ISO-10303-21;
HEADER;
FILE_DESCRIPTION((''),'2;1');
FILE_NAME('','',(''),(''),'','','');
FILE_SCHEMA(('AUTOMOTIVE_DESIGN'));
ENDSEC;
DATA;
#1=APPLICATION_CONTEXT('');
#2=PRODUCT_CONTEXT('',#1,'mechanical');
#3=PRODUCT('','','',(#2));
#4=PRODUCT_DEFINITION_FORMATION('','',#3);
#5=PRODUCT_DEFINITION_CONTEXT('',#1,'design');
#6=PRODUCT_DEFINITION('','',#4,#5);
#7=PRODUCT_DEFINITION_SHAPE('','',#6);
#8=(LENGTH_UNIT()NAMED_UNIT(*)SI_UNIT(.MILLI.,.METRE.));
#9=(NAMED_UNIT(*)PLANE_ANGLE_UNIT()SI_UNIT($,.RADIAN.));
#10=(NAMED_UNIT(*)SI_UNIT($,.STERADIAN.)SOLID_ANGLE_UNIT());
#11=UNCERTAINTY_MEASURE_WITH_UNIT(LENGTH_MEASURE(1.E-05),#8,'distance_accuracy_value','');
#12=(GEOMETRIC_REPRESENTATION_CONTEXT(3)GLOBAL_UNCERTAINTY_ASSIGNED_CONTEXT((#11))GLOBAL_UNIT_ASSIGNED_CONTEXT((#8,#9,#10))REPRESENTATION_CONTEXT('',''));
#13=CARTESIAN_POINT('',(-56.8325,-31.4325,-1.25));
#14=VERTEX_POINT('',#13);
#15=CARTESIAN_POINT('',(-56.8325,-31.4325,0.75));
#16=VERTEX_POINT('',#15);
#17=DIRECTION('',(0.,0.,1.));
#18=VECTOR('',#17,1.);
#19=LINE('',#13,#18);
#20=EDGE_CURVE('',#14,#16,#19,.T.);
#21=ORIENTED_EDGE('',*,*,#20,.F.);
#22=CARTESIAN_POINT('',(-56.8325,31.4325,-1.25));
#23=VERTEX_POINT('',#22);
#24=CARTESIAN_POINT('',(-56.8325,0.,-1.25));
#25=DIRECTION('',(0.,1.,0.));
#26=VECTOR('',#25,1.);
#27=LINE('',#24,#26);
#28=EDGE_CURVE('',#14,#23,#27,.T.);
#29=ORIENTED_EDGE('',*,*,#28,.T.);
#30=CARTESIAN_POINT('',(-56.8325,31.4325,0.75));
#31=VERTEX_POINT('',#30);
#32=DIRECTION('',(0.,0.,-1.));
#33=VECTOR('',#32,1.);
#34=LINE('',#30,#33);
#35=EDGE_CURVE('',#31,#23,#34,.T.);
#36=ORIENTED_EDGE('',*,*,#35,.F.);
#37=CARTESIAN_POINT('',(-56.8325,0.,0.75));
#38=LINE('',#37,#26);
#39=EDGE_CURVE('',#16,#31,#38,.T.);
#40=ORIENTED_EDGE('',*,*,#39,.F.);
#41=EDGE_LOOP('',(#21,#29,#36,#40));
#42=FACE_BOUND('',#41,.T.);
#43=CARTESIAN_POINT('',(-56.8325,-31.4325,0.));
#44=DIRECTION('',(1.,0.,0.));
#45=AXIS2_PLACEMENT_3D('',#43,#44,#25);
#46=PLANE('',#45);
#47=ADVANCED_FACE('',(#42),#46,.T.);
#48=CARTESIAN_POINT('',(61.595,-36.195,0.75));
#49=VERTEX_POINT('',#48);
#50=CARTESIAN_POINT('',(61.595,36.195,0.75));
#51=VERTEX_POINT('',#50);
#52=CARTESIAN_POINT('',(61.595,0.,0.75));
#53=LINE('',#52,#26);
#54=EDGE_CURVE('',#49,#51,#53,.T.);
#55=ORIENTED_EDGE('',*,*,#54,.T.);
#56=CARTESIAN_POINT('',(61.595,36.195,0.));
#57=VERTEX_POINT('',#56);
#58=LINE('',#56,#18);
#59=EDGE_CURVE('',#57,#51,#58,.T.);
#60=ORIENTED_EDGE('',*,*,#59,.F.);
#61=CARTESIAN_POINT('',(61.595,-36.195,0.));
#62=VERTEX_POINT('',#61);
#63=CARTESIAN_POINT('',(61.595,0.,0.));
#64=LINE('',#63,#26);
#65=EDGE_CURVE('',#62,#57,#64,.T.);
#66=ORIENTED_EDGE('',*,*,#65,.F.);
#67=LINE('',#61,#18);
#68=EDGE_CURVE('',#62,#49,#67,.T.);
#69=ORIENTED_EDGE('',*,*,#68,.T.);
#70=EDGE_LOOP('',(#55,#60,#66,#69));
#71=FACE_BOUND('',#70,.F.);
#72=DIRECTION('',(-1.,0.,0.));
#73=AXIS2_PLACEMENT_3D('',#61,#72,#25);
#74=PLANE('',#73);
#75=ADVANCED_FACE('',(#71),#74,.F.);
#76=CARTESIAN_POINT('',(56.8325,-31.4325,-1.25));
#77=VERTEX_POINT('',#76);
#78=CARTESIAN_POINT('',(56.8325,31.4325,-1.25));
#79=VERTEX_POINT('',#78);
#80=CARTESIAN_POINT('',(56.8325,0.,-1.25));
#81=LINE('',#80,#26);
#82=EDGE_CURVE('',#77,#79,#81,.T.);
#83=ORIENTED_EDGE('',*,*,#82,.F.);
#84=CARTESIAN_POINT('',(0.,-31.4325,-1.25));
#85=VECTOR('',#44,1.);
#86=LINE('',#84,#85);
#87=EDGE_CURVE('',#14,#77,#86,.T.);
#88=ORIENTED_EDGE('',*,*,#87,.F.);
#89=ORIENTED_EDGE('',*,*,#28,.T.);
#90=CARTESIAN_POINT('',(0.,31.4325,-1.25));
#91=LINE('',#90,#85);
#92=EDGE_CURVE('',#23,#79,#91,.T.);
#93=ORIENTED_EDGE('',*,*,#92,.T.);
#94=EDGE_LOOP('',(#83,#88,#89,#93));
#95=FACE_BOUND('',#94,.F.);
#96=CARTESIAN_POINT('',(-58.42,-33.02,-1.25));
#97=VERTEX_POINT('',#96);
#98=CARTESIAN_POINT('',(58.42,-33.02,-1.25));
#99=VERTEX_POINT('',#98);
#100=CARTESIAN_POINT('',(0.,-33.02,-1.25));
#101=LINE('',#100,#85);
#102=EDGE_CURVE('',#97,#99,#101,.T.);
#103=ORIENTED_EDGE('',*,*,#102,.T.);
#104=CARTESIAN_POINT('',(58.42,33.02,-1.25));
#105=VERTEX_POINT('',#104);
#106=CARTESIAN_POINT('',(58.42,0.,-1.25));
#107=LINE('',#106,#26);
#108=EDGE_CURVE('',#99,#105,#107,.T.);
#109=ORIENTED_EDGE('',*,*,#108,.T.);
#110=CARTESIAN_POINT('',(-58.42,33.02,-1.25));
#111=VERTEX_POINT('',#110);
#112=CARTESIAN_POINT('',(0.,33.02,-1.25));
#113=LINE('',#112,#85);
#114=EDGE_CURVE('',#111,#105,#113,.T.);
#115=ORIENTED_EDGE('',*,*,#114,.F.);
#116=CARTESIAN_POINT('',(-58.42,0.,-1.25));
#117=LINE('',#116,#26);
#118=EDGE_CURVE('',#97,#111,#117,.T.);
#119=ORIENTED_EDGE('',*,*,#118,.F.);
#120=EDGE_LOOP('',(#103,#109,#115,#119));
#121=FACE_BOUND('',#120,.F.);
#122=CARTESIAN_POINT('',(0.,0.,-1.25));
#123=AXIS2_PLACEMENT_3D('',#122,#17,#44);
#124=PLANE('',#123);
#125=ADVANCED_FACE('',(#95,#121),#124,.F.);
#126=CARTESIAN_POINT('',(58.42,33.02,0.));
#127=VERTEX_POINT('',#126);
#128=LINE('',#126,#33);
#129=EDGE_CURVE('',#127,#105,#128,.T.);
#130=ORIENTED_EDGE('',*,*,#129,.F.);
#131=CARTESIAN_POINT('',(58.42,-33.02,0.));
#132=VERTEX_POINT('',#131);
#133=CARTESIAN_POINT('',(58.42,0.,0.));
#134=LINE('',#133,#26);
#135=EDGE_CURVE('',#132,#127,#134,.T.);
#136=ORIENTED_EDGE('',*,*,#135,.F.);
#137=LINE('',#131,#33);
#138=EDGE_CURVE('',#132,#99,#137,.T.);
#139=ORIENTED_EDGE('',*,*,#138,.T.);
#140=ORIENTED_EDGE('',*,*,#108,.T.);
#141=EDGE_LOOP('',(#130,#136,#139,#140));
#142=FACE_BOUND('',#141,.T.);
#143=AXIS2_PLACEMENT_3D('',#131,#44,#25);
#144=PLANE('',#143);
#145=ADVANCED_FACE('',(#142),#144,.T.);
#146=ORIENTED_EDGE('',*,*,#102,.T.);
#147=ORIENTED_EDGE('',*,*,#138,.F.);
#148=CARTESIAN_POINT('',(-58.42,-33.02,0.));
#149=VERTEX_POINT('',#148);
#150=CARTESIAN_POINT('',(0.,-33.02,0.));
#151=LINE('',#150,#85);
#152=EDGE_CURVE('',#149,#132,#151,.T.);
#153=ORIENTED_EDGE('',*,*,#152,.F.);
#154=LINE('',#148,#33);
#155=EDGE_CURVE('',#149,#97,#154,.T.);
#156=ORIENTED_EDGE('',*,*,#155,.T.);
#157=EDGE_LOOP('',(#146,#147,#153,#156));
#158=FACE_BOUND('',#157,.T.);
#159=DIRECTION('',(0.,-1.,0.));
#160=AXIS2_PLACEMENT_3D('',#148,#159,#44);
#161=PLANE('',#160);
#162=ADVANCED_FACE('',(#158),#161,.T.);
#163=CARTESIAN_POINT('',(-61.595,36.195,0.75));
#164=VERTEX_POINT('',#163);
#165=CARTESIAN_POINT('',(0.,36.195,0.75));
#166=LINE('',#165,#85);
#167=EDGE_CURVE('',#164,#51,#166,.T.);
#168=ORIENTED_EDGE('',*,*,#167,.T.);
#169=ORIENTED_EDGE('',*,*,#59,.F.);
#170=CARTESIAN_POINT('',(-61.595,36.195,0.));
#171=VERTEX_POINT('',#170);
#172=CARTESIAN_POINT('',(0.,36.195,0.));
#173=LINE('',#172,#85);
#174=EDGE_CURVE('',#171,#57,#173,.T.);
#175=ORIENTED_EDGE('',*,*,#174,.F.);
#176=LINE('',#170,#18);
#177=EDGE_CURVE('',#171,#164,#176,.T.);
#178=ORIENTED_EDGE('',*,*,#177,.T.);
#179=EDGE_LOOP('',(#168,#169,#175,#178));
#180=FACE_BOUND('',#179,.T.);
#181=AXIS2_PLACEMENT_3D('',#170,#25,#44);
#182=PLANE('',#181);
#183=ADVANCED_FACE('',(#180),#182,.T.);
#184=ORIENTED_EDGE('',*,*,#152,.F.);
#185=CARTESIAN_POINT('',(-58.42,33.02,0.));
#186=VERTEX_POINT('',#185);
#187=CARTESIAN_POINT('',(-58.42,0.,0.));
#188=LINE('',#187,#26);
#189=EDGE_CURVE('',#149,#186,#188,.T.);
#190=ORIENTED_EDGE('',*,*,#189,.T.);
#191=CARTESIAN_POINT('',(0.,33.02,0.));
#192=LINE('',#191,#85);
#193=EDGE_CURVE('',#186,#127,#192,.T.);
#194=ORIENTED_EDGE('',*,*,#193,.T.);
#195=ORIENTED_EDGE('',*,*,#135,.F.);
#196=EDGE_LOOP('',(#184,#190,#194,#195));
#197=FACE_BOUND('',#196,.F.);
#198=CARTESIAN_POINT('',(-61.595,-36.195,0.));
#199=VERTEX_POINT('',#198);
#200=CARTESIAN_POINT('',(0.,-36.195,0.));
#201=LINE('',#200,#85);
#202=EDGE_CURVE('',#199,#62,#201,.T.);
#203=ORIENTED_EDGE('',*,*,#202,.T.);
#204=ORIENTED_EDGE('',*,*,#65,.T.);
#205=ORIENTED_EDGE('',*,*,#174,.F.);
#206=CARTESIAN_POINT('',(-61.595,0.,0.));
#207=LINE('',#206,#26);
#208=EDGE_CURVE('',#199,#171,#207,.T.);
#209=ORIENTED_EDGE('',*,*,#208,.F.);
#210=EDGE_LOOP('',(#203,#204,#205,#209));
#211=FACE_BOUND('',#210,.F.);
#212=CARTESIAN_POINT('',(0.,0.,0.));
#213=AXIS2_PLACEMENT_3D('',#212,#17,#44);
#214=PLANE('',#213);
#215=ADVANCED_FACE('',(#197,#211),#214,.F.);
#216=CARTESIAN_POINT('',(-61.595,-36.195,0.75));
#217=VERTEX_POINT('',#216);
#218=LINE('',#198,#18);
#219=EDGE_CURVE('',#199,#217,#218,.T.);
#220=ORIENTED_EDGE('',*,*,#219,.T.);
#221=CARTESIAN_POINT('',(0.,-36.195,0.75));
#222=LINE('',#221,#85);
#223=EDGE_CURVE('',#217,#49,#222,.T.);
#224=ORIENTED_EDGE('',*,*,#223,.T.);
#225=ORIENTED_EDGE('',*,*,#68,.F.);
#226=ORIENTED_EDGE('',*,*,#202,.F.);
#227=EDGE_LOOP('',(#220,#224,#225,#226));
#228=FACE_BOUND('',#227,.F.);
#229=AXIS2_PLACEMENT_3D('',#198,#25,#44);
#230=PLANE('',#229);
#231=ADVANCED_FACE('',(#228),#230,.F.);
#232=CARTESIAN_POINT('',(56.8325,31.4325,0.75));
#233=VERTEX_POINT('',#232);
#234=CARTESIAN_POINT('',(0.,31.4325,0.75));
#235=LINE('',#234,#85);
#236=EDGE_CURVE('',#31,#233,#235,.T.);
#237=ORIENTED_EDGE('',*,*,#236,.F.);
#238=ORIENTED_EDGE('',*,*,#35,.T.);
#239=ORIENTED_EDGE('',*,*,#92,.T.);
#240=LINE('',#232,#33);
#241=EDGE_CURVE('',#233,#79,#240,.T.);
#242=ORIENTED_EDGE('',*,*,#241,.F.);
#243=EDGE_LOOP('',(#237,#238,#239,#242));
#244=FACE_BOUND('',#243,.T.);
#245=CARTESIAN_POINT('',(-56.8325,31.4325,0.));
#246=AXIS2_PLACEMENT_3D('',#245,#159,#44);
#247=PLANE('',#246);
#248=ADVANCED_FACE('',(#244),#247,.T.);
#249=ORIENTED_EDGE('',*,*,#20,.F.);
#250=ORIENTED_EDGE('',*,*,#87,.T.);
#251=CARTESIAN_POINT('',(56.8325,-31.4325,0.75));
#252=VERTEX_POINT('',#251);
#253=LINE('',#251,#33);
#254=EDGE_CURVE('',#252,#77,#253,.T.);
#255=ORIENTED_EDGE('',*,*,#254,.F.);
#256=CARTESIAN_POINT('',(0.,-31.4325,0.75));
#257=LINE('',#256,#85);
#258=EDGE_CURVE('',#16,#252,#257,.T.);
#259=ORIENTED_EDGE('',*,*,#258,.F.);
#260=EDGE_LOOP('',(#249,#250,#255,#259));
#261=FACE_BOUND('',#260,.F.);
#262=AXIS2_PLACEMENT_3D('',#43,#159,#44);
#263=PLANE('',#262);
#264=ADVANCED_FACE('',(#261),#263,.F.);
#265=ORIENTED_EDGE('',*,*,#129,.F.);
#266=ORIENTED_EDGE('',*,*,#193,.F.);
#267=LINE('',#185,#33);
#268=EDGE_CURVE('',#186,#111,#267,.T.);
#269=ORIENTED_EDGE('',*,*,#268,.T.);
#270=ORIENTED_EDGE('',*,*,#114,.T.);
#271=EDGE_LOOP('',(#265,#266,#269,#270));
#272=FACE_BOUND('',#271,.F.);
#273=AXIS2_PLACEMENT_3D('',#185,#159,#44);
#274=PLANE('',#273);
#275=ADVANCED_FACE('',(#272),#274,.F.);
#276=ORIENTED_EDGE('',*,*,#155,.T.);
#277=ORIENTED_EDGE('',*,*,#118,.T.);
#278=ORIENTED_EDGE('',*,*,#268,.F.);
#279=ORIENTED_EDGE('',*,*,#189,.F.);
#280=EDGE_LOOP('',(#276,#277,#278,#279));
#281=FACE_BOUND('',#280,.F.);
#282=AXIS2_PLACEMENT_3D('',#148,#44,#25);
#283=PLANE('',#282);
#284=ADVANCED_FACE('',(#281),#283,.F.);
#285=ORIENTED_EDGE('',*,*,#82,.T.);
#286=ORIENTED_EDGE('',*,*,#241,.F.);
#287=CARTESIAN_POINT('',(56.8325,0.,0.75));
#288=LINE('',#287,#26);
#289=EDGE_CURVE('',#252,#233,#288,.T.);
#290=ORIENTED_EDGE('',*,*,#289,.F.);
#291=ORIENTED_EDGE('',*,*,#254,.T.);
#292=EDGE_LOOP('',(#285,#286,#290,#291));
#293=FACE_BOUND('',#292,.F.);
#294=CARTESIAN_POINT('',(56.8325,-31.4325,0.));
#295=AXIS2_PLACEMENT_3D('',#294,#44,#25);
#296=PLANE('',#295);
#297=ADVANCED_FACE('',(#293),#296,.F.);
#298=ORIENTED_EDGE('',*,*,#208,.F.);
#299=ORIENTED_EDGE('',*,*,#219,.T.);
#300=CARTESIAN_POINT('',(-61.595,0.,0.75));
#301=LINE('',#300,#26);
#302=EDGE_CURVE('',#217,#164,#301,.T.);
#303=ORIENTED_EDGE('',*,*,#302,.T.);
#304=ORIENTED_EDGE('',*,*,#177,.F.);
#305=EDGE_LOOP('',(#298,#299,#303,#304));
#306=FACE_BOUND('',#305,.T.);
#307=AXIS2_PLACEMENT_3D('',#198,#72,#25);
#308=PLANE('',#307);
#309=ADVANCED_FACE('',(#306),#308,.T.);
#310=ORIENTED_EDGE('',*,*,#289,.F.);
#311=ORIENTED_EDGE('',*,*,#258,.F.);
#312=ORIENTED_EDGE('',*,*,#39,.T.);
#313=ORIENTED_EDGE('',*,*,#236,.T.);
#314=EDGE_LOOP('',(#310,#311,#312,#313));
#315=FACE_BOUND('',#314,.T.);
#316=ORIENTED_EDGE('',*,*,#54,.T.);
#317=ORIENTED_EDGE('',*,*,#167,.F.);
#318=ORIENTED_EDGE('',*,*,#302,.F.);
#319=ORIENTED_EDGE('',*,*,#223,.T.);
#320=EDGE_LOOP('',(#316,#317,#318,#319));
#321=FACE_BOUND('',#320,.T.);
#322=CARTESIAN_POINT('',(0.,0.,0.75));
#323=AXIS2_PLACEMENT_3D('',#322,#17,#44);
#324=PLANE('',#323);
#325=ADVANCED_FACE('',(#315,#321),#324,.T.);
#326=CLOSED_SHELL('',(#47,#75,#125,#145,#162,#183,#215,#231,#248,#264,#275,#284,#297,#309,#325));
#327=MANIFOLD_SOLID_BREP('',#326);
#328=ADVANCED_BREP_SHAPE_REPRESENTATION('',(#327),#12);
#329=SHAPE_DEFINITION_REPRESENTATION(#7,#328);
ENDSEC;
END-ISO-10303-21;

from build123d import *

# Parameters (mm, degrees)
F0_W     = 123.19
F0_H     = 72.39
F0_W_2   = 116.84
F0_H_2   = 66.04
F0_W_3   = 113.665
F0_H_3   = 62.865
F1_DEPTH = 0.75
F2_DEPTH = 1.25


with BuildPart() as f1:
    # F0 (on Top) → F1 (new body)
    with BuildSketch(Plane.XY):
        Rectangle(F0_W, F0_H)
        Rectangle(F0_W_2, F0_H_2, mode=Mode.SUBTRACT)
        Rectangle(F0_W_2, F0_H_2)
        Rectangle(F0_W_3, F0_H_3, mode=Mode.SUBTRACT)
    extrude(amount=F1_DEPTH)

    # F0 (on Top) → F2 (join)
    with BuildSketch(Plane.XY):
        Rectangle(F0_W_2, F0_H_2)
        Rectangle(F0_W_3, F0_H_3, mode=Mode.SUBTRACT)
    extrude(amount=-F2_DEPTH)


solid = f1.part
